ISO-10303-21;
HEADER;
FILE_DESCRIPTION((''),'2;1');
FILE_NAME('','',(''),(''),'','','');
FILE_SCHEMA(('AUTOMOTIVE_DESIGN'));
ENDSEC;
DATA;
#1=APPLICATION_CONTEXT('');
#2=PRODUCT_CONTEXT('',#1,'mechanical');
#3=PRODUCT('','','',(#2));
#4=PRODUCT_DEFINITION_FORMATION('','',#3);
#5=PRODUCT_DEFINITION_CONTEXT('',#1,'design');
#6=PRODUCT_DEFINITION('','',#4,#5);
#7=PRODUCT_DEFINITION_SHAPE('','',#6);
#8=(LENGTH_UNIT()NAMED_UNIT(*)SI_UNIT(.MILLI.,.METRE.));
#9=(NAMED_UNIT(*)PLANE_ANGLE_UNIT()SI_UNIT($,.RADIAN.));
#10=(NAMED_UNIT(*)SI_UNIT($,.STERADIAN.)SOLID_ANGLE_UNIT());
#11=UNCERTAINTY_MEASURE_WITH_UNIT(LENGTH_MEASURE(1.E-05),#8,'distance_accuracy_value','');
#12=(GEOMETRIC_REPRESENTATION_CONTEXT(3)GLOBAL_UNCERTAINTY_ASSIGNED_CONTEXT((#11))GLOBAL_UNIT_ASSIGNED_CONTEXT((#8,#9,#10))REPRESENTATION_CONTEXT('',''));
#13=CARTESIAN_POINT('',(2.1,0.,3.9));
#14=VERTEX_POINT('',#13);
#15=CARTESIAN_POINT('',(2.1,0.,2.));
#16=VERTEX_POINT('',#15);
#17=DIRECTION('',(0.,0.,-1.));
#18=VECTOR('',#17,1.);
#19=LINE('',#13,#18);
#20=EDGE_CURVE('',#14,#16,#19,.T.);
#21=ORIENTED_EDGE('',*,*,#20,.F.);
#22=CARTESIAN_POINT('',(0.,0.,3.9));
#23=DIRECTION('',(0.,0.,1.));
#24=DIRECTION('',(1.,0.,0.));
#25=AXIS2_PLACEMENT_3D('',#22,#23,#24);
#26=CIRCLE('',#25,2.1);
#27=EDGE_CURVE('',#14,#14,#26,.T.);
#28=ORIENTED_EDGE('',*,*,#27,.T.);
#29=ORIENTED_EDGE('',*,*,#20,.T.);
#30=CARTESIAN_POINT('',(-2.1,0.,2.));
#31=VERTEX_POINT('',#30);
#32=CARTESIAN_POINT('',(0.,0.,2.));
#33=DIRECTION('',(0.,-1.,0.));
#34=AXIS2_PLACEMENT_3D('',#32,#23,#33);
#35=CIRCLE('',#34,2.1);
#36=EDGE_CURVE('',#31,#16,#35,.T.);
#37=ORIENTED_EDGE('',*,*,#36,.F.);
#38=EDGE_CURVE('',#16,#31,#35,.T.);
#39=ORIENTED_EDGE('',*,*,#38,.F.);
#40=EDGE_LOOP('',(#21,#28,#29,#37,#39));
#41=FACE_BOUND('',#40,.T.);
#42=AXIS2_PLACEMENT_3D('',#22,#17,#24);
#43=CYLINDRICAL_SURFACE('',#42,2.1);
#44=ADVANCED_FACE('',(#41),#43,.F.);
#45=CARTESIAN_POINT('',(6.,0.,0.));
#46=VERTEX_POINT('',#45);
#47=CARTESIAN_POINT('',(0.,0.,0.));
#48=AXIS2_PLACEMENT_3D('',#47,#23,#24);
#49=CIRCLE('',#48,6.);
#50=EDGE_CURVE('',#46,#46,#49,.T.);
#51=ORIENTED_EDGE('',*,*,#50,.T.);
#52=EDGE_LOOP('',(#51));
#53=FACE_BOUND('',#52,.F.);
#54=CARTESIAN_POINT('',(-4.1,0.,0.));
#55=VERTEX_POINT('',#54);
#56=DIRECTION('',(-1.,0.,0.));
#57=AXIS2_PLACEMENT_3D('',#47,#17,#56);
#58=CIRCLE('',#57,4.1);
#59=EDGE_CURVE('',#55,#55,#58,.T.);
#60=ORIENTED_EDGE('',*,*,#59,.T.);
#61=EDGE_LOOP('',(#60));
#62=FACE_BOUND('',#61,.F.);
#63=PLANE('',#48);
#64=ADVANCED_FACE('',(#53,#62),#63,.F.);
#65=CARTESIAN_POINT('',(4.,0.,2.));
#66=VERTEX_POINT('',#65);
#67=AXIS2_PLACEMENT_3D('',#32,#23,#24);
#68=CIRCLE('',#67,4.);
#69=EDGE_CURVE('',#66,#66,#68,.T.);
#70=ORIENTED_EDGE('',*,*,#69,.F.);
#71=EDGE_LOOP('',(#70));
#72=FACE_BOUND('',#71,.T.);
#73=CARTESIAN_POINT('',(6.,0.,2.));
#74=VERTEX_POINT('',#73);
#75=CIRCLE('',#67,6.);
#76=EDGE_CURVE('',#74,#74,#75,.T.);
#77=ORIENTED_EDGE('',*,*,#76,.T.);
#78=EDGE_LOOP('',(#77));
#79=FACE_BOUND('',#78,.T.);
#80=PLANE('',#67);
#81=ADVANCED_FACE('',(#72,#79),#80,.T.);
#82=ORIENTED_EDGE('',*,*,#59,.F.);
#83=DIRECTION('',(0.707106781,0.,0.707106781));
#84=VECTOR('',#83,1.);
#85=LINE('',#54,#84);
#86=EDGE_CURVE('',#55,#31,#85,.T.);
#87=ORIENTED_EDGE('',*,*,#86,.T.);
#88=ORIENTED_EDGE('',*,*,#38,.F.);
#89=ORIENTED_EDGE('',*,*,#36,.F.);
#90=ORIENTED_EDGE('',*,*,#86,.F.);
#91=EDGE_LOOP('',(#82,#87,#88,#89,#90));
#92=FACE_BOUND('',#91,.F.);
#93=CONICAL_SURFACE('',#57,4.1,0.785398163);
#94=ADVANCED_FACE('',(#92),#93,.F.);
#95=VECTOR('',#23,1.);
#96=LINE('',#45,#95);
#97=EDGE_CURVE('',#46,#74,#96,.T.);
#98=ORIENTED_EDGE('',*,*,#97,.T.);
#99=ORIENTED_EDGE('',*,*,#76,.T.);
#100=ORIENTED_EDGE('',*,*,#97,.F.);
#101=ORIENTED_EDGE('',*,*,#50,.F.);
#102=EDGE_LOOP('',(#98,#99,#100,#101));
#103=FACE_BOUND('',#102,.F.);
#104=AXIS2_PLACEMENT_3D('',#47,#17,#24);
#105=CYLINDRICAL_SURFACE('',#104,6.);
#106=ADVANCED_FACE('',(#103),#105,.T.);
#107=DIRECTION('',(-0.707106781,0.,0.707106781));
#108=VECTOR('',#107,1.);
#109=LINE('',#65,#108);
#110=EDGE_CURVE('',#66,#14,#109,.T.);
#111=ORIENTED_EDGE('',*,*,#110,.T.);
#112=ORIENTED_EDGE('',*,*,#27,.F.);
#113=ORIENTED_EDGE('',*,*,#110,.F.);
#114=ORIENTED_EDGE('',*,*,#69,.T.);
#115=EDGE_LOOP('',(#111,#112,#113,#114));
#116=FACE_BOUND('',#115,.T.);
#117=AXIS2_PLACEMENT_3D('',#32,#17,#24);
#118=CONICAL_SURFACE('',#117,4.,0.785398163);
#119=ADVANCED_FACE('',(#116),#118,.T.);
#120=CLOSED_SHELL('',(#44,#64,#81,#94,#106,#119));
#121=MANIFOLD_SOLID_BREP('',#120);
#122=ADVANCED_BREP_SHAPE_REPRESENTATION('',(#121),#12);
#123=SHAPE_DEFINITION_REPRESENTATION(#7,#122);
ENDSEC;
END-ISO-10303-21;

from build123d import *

# Parameters (mm, degrees)
SKETCH037_R         = 6
SKETCH037_R_2       = 2.1
PAD018_DEPTH        = 2
HOLE009_D           = 4.2
HOLE009_DEPTH       = 25
HOLE009_CSINK_D     = 8.2
HOLE009_CSINK_ANGLE = 90


with BuildPart() as part:
    # Sketch037 → Pad018 (new body)
    with BuildSketch(Plane.XY):
        Circle(SKETCH037_R)
        Circle(SKETCH037_R_2, mode=Mode.SUBTRACT)
    extrude(amount=PAD018_DEPTH)

    # Sketch039 (on DatumPlane) → Revolution (revolve)
    with BuildSketch(Plane(origin=(0, 0, 2), x_dir=(1, 0, 0), z_dir=(0, -1, 0))):
        Polygon((2.1, 1.9), (2.1, 0), (4, 0), align=None)
    revolve(axis=Axis((0, 0, 2), (0, 0, 1)))

    # Hole009
    with Locations(Plane(origin=(0, 0, 0), x_dir=(1, 0, 0), z_dir=(0, 0, -1))):
        with Locations((0, 0)):
            CounterSinkHole(HOLE009_D / 2, HOLE009_CSINK_D / 2, depth=HOLE009_DEPTH, counter_sink_angle=HOLE009_CSINK_ANGLE)


solid = part.part
